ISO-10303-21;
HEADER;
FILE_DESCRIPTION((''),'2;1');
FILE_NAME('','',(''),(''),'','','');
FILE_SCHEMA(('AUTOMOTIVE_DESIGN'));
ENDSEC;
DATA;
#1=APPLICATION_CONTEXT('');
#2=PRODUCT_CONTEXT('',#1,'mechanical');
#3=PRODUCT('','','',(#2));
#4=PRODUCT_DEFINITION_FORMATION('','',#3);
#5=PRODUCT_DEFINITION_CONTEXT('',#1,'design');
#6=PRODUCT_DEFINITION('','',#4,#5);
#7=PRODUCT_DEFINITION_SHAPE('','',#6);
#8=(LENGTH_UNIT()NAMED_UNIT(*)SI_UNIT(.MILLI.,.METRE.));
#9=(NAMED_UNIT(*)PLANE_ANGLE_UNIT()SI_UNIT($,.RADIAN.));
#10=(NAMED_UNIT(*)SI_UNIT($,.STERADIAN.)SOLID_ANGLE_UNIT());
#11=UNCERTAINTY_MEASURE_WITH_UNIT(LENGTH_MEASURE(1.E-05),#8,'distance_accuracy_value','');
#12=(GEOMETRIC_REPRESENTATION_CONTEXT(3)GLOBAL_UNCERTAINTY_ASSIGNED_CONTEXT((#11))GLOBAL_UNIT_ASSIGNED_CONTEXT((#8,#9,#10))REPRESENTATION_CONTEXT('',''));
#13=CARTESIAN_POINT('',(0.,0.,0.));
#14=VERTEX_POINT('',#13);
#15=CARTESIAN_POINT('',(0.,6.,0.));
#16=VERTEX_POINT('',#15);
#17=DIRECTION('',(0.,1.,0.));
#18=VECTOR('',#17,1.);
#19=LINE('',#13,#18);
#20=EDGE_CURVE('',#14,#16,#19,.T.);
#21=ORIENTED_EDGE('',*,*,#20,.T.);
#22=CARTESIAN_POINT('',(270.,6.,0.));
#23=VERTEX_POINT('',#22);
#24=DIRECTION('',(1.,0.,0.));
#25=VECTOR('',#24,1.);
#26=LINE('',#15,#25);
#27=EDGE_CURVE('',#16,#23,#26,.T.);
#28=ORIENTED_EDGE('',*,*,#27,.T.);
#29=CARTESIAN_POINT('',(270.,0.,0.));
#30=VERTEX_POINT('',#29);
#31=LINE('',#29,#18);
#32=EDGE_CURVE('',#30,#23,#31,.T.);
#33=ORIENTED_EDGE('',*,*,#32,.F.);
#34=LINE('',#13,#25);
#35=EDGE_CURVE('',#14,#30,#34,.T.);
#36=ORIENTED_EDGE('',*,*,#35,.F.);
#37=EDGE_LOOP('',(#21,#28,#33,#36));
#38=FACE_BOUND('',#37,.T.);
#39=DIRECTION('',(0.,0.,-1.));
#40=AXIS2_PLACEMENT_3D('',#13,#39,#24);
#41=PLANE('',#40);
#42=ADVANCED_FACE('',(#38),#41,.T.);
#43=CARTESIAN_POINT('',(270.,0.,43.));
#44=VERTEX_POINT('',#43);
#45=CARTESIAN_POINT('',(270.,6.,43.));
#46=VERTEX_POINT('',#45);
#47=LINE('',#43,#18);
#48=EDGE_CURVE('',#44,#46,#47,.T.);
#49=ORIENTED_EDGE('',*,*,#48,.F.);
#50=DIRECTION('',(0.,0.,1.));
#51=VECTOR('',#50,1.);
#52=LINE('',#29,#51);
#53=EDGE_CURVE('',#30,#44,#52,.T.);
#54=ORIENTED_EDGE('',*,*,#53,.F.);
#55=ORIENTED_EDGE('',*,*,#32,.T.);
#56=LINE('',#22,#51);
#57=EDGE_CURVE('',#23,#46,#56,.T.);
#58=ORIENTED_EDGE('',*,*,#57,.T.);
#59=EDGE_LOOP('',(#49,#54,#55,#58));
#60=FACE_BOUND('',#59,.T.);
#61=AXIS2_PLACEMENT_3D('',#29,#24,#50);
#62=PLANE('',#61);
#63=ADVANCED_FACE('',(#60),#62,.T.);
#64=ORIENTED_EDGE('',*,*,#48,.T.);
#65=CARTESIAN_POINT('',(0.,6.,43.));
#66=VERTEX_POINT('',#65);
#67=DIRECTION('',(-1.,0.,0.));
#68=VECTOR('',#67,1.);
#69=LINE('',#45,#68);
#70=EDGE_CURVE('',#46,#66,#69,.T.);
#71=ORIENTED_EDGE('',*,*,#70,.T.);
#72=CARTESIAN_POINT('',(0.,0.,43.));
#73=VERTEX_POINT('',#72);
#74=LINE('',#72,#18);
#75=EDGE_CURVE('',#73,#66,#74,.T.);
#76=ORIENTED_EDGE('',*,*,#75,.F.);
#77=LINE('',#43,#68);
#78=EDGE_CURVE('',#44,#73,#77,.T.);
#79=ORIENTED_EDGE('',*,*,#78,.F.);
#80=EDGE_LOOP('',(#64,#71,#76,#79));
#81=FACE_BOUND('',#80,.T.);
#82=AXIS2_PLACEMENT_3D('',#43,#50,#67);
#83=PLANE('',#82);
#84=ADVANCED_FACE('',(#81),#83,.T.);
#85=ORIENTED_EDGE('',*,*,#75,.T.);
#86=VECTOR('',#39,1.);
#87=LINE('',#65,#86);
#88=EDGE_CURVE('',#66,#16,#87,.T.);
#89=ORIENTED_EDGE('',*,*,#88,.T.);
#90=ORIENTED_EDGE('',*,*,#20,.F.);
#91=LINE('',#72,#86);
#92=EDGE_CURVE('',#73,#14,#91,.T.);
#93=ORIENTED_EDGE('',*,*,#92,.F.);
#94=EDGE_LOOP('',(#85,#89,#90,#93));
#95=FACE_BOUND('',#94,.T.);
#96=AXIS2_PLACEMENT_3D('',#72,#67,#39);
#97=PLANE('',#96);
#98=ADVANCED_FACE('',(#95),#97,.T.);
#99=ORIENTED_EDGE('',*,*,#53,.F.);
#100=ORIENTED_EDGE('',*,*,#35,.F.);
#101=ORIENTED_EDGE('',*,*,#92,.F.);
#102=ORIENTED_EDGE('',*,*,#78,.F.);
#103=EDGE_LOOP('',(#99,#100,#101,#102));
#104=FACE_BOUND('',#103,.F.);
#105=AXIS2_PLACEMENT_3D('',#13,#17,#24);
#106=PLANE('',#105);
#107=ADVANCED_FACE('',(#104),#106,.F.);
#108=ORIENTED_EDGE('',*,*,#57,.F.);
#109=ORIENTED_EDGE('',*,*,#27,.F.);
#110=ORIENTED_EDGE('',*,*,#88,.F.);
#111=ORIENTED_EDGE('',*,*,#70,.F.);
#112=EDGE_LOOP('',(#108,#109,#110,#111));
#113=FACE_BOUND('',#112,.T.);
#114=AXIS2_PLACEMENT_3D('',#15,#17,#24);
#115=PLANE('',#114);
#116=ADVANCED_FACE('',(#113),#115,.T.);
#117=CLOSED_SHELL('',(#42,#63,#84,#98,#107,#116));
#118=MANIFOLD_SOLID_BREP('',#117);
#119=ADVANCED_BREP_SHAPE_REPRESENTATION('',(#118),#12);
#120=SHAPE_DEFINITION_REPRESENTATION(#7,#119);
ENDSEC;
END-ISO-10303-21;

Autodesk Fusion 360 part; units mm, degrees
sketch "Control Panel Front" plane through (0, 0, 0) normal (0, 1, 0) x (1, 0, 0)
  line L0 (0, 0) -> (270, 0)
  line L1 (270, 0) -> (270, -43)
  line L2 (270, -43) -> (0, -43)
  line L3 (0, -43) -> (0, 0)
  dimension "d6" = 270
  dimension "d7" = 43
extrude "Extrude1" add sketch "Control Panel Front" along normal blind 6
equation "MDFThickness = 6 mm" comment "Thickness of the MDF board"
equation "d2 = MDFThickness"
equation "d7 = sidePanelControlPanelHeight - 2 * sidePanelClearance - 2 * MDFThickness"
equation "sidePanelClearance = 10 mm" comment "Clearance between side panel edge and main body edge"
equation "sidePanelControlPanelHeight = 75 mm" comment "The height of the control panel on the side panel"
